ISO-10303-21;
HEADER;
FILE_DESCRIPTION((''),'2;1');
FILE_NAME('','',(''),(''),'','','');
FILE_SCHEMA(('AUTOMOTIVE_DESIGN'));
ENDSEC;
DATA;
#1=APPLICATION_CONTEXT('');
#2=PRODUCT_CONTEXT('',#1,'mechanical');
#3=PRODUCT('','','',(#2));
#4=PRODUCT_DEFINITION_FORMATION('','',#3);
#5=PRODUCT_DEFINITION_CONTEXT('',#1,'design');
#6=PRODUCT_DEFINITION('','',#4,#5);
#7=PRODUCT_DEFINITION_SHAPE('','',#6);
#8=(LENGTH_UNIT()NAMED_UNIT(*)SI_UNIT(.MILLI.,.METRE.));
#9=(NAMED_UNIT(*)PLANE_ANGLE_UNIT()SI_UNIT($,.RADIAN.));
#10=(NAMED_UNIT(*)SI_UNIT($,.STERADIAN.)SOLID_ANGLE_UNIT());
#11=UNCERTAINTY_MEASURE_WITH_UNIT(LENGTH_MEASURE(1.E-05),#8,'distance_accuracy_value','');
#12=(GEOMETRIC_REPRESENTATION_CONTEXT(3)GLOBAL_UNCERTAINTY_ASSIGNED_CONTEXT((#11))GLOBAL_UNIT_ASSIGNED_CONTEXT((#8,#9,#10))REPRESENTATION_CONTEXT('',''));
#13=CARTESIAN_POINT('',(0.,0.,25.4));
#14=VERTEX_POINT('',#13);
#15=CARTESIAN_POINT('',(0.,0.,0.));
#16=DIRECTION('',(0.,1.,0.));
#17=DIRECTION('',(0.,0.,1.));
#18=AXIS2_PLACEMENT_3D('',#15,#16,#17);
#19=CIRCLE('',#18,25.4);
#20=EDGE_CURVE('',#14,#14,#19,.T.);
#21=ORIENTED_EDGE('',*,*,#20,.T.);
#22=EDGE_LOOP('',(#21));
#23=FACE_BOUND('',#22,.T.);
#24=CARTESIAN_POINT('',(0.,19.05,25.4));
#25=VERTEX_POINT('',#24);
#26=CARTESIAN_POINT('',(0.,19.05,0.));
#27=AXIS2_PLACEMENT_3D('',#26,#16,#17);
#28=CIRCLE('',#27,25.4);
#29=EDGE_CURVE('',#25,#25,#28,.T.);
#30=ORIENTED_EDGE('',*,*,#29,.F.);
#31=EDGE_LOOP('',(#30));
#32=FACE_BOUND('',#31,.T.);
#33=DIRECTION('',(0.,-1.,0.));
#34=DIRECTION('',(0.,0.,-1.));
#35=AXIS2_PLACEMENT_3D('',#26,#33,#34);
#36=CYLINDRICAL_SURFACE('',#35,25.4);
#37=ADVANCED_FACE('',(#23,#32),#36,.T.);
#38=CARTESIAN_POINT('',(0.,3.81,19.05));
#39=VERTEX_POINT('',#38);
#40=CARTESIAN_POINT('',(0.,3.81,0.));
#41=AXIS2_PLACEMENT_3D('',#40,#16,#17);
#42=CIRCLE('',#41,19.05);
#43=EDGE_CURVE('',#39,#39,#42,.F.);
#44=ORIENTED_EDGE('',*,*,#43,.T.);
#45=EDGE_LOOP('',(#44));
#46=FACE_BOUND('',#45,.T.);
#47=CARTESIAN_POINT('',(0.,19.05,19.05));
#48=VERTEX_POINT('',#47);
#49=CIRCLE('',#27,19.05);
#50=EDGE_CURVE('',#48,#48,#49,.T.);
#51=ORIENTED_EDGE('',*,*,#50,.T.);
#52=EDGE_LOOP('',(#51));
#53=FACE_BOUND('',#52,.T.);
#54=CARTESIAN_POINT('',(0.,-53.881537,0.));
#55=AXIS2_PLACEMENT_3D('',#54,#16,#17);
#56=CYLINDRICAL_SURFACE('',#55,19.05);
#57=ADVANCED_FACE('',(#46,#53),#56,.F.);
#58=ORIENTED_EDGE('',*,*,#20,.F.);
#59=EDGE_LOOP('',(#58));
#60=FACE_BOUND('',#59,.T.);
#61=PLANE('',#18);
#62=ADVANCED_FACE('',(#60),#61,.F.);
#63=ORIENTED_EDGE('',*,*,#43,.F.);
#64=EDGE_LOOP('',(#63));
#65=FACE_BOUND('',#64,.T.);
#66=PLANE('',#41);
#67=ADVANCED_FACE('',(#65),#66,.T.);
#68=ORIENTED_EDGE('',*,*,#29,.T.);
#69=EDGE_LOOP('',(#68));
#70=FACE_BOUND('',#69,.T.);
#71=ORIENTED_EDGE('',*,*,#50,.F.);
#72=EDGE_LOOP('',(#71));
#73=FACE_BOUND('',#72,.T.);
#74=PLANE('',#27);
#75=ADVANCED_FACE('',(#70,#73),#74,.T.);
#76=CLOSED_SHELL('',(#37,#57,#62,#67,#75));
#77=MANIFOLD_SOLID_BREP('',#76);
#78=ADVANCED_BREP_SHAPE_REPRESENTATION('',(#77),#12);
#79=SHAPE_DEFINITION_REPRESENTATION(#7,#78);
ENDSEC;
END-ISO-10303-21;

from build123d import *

# Parameters (mm, degrees)
SKETCH1_R           = 25.4
BOSS_EXTRUDE1_DEPTH = 19.05
SKETCH2_R           = 19.05
CUT_EXTRUDE1_DEPTH  = 15.24


with BuildPart() as part:
    # Sketch1 → Boss-Extrude1 (new body)
    with BuildSketch(Plane(origin=(0, 0, 0), x_dir=(1, 0, 0), z_dir=(0, 1, 0))):
        Circle(SKETCH1_R)
    extrude(amount=BOSS_EXTRUDE1_DEPTH)

    # Sketch2 → Cut-Extrude1 (cut)
    with BuildSketch(Plane(origin=(0, 19.05, 0), x_dir=(1, 0, 0), z_dir=(0, 1, 0))):
        Circle(SKETCH2_R)
    extrude(amount=-CUT_EXTRUDE1_DEPTH, mode=Mode.SUBTRACT)


solid = part.part
